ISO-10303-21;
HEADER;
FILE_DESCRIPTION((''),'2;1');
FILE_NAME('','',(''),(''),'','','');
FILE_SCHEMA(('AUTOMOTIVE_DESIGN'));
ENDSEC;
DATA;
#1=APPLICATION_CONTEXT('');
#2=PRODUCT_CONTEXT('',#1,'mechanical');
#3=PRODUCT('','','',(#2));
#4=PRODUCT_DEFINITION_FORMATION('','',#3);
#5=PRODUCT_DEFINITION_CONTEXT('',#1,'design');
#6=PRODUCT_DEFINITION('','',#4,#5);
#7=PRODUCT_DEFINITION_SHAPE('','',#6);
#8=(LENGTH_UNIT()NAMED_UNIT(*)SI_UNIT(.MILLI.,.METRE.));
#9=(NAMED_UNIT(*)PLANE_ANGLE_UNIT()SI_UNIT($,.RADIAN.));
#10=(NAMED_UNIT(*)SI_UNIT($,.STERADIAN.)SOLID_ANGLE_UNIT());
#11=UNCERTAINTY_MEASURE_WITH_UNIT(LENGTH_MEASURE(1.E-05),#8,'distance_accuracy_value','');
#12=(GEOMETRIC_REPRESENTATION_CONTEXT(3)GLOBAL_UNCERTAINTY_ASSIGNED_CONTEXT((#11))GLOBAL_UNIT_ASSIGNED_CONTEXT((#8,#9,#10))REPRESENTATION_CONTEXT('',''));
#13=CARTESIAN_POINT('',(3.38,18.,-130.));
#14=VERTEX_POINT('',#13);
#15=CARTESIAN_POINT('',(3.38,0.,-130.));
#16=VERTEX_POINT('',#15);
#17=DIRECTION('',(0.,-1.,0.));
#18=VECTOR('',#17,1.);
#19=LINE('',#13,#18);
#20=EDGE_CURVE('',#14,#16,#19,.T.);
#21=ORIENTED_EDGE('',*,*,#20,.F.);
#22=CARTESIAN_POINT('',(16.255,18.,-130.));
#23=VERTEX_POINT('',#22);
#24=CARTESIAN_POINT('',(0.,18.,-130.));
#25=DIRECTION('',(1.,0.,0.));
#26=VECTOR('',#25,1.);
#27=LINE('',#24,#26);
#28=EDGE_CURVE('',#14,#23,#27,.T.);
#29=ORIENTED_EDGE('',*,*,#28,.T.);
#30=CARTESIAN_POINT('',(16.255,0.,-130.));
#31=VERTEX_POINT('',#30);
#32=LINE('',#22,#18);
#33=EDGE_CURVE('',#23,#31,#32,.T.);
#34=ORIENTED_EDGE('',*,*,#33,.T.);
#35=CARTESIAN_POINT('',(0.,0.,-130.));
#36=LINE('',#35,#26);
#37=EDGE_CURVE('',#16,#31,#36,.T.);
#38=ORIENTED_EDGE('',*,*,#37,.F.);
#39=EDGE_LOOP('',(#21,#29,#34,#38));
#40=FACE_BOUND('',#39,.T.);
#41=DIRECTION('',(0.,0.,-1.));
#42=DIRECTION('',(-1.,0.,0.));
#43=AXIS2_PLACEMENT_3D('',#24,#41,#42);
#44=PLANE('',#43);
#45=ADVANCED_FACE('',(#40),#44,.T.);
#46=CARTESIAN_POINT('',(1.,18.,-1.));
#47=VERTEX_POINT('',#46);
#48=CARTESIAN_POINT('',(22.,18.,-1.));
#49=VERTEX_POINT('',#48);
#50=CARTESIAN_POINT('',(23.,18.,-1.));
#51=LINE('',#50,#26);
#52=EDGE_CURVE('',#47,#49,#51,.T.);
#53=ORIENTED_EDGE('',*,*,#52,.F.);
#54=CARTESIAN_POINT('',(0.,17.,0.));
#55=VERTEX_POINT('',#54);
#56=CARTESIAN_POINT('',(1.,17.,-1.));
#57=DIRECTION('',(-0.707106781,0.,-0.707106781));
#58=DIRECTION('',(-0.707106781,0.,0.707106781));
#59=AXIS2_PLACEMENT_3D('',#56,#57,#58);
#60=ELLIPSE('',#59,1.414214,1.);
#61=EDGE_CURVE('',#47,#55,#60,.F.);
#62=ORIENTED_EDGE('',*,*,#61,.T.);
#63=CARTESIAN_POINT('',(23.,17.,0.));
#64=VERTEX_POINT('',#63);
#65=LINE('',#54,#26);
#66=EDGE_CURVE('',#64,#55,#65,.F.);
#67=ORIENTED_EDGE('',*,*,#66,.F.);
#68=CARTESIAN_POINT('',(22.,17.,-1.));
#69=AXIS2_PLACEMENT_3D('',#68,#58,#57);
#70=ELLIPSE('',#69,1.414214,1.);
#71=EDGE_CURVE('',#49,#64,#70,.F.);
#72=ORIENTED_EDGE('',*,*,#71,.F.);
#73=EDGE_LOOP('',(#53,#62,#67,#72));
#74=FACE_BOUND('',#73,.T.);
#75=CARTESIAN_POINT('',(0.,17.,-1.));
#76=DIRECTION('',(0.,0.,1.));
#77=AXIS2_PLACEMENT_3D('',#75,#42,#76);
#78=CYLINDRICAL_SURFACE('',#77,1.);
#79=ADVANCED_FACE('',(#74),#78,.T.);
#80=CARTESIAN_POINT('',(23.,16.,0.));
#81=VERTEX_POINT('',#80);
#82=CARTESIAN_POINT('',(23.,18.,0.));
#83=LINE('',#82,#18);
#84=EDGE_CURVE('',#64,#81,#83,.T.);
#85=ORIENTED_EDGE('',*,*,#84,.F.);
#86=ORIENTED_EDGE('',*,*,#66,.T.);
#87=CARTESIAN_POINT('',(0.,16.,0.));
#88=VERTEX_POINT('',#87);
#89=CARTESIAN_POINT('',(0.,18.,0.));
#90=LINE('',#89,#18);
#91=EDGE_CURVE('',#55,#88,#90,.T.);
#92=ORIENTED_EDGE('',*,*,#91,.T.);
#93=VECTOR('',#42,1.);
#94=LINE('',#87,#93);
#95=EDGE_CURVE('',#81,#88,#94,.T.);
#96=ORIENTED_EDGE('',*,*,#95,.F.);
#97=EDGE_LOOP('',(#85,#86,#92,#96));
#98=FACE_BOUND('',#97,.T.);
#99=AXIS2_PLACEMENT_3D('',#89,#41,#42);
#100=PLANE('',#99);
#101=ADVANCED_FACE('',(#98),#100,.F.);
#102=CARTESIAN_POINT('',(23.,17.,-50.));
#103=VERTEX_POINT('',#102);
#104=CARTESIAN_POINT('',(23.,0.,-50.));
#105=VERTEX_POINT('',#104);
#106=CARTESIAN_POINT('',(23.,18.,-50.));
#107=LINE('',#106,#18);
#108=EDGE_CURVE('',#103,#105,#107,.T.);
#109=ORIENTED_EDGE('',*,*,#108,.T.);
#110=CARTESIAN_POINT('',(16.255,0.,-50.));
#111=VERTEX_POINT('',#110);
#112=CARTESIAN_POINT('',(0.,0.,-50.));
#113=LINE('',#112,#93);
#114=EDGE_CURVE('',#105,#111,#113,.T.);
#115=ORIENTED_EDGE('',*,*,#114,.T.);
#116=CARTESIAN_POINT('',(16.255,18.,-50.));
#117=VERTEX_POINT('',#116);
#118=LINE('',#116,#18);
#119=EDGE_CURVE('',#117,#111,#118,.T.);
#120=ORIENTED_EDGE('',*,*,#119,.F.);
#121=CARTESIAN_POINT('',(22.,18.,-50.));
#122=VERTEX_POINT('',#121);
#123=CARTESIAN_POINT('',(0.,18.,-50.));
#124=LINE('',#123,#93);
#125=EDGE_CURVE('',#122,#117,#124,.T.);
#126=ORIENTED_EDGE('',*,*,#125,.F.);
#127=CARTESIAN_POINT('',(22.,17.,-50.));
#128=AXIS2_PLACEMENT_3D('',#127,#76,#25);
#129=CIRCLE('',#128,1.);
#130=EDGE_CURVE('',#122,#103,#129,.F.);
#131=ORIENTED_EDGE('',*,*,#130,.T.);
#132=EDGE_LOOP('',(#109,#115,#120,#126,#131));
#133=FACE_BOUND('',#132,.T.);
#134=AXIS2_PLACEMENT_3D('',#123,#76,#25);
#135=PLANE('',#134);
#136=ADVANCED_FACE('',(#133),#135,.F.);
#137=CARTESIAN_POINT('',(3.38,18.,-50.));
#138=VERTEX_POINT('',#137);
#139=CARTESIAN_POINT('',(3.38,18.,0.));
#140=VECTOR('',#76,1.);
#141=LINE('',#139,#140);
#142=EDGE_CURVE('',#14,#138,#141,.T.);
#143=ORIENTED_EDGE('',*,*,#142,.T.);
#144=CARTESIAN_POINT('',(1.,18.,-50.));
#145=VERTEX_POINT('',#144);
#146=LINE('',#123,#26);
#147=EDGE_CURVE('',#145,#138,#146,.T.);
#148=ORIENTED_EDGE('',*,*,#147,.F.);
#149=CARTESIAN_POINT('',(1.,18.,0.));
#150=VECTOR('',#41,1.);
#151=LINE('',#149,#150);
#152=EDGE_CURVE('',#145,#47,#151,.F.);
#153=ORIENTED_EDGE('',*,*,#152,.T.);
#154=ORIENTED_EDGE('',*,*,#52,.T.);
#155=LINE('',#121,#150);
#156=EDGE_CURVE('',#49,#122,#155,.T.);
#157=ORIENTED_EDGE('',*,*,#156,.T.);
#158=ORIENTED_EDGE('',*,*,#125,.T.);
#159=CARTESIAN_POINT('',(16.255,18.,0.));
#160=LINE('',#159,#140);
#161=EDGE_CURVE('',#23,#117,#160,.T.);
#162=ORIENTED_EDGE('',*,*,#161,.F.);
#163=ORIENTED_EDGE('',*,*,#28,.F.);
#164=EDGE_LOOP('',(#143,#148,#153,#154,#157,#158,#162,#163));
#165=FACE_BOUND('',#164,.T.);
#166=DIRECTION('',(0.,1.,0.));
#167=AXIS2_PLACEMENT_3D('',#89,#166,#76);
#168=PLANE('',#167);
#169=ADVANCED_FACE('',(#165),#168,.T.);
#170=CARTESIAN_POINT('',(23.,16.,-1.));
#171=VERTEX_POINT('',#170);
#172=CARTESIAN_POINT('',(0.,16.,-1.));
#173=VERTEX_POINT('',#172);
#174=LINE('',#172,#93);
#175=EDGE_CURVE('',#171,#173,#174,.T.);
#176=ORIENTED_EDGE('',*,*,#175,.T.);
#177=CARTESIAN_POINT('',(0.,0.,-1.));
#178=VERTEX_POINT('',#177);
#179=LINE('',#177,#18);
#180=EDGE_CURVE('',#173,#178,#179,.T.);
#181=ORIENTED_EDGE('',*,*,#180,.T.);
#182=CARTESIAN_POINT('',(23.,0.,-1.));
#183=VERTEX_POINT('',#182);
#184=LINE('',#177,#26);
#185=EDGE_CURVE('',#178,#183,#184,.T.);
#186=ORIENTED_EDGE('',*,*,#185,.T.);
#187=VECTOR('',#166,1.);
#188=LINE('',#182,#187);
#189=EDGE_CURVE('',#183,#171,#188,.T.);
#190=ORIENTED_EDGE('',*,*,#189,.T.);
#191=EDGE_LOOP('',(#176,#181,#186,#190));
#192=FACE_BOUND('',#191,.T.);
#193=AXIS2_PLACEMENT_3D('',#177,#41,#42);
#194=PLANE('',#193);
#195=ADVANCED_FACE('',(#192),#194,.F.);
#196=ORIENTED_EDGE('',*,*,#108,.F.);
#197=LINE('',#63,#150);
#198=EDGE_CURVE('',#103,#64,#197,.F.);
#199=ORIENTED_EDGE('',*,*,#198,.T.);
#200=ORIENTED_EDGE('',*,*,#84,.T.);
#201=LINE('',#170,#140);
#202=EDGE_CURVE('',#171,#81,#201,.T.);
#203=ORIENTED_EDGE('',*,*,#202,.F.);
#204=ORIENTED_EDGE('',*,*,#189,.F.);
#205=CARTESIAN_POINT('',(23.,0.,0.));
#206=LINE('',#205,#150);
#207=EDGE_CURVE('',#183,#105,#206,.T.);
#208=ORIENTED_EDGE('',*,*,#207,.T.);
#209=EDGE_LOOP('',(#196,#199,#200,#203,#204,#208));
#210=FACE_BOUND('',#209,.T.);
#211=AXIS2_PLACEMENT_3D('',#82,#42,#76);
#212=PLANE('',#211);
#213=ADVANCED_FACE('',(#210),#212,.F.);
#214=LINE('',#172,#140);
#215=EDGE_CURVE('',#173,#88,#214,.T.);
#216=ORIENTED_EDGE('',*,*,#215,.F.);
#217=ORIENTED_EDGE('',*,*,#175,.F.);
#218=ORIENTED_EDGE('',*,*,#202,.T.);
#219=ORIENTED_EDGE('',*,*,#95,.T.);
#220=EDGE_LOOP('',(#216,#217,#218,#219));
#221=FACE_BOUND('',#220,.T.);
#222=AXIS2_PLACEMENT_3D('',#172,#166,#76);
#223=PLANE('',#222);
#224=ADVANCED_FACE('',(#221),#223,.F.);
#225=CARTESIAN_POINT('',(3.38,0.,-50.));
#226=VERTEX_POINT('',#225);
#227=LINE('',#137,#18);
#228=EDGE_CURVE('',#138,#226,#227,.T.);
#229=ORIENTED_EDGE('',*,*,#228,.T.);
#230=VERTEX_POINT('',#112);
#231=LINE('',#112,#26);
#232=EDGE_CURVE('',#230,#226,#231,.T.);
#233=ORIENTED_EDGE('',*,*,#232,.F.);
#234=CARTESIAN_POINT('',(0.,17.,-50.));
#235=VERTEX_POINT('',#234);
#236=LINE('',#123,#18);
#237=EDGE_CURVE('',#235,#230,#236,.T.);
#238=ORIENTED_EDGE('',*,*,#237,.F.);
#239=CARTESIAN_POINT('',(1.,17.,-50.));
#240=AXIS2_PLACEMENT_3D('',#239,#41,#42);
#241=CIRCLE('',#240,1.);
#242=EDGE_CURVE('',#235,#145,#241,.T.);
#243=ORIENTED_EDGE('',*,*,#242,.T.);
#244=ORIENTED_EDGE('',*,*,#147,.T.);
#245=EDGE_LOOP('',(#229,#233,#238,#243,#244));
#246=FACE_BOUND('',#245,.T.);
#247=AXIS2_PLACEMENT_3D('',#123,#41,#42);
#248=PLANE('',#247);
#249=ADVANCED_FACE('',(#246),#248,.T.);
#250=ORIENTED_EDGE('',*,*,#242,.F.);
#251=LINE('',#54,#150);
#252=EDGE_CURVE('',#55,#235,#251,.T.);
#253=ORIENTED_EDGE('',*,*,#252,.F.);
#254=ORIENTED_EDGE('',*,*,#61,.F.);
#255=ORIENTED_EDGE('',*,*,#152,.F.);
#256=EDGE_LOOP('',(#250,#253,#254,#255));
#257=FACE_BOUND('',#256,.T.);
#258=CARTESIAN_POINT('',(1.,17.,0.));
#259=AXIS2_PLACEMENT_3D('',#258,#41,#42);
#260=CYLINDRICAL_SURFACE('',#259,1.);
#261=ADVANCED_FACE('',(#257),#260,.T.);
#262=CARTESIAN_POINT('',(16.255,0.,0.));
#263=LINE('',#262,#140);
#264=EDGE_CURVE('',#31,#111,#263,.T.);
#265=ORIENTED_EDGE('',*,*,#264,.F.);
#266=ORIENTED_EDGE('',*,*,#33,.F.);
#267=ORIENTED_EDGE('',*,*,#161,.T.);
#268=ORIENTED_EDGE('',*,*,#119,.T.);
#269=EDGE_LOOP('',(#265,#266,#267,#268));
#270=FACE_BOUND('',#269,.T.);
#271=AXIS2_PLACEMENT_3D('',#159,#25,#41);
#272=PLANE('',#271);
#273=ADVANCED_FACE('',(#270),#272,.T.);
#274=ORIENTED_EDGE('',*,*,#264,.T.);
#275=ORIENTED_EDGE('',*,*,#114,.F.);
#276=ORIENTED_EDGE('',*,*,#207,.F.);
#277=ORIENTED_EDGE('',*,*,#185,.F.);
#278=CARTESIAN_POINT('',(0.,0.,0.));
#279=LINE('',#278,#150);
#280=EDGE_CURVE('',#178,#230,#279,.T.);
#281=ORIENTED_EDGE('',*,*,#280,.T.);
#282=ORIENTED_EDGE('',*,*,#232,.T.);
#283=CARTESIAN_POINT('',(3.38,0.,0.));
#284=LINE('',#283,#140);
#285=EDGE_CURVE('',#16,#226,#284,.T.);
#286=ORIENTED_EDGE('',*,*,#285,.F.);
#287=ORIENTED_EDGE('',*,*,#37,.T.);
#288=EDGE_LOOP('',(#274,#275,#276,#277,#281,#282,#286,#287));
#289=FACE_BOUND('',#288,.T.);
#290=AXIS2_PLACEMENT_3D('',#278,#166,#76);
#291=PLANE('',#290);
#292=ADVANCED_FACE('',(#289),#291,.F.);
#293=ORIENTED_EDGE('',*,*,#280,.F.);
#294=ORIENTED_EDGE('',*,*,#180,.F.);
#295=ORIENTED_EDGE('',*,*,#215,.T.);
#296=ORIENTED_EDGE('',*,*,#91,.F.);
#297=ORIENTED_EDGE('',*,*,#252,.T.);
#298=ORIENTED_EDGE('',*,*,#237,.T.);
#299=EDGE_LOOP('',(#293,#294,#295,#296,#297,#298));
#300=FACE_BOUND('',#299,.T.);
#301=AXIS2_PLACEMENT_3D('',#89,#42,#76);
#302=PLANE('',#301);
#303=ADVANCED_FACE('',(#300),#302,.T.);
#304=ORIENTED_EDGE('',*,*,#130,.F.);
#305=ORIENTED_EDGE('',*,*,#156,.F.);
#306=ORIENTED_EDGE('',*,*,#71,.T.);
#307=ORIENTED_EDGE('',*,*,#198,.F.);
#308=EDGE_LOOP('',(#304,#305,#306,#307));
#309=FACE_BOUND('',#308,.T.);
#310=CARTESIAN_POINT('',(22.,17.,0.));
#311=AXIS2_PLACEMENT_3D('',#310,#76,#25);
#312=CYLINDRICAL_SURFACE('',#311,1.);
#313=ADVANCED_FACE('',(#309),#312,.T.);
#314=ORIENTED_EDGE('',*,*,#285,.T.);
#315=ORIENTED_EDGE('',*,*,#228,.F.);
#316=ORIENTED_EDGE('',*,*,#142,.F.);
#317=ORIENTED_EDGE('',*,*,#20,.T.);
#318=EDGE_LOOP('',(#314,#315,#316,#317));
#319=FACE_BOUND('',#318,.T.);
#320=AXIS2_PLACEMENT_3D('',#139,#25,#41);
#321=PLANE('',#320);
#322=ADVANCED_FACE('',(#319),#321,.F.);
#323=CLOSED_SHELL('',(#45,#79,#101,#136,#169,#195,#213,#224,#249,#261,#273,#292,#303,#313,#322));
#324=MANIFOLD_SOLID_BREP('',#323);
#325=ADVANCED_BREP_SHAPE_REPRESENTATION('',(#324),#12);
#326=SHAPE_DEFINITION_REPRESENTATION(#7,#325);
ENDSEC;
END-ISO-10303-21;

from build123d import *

# Parameters (mm, degrees)
SALIENTE_EXTRUIR1_DEPTH = 18
CROQUIS3_W              = 23
CROQUIS3_H              = 16
CORTAR_EXTRUIR1_DEPTH   = 1
REDONDEO1_R             = 1


with BuildPart() as part:
    # Croquis2 → Saliente-Extruir1 (new body)
    with BuildSketch(Plane(origin=(0, 0, 0), x_dir=(1, 0, 0), z_dir=(0, 1, 0))):
        Polygon((0, 50), (0, 0), (23, 0), (23, 50), (16.255, 50), (16.255, 130), (3.38, 130), (3.38, 50), align=None)
    extrude(amount=SALIENTE_EXTRUIR1_DEPTH)

    # Croquis3 → Cortar-Extruir1 (cut)
    with BuildSketch(Plane.XY):
        with Locations((11.5, 8)):
            Rectangle(CROQUIS3_W, CROQUIS3_H)
    extrude(amount=-CORTAR_EXTRUIR1_DEPTH, mode=Mode.SUBTRACT)

    # Redondeo1
    redondeo1_edges = [part.edges().sort_by_distance(p)[0] for p in [
        (0, 18, -25),
        (11.5, 18, 0),
        (23, 18, -25),
    ]]
    fillet(redondeo1_edges, radius=REDONDEO1_R)


solid = part.part
